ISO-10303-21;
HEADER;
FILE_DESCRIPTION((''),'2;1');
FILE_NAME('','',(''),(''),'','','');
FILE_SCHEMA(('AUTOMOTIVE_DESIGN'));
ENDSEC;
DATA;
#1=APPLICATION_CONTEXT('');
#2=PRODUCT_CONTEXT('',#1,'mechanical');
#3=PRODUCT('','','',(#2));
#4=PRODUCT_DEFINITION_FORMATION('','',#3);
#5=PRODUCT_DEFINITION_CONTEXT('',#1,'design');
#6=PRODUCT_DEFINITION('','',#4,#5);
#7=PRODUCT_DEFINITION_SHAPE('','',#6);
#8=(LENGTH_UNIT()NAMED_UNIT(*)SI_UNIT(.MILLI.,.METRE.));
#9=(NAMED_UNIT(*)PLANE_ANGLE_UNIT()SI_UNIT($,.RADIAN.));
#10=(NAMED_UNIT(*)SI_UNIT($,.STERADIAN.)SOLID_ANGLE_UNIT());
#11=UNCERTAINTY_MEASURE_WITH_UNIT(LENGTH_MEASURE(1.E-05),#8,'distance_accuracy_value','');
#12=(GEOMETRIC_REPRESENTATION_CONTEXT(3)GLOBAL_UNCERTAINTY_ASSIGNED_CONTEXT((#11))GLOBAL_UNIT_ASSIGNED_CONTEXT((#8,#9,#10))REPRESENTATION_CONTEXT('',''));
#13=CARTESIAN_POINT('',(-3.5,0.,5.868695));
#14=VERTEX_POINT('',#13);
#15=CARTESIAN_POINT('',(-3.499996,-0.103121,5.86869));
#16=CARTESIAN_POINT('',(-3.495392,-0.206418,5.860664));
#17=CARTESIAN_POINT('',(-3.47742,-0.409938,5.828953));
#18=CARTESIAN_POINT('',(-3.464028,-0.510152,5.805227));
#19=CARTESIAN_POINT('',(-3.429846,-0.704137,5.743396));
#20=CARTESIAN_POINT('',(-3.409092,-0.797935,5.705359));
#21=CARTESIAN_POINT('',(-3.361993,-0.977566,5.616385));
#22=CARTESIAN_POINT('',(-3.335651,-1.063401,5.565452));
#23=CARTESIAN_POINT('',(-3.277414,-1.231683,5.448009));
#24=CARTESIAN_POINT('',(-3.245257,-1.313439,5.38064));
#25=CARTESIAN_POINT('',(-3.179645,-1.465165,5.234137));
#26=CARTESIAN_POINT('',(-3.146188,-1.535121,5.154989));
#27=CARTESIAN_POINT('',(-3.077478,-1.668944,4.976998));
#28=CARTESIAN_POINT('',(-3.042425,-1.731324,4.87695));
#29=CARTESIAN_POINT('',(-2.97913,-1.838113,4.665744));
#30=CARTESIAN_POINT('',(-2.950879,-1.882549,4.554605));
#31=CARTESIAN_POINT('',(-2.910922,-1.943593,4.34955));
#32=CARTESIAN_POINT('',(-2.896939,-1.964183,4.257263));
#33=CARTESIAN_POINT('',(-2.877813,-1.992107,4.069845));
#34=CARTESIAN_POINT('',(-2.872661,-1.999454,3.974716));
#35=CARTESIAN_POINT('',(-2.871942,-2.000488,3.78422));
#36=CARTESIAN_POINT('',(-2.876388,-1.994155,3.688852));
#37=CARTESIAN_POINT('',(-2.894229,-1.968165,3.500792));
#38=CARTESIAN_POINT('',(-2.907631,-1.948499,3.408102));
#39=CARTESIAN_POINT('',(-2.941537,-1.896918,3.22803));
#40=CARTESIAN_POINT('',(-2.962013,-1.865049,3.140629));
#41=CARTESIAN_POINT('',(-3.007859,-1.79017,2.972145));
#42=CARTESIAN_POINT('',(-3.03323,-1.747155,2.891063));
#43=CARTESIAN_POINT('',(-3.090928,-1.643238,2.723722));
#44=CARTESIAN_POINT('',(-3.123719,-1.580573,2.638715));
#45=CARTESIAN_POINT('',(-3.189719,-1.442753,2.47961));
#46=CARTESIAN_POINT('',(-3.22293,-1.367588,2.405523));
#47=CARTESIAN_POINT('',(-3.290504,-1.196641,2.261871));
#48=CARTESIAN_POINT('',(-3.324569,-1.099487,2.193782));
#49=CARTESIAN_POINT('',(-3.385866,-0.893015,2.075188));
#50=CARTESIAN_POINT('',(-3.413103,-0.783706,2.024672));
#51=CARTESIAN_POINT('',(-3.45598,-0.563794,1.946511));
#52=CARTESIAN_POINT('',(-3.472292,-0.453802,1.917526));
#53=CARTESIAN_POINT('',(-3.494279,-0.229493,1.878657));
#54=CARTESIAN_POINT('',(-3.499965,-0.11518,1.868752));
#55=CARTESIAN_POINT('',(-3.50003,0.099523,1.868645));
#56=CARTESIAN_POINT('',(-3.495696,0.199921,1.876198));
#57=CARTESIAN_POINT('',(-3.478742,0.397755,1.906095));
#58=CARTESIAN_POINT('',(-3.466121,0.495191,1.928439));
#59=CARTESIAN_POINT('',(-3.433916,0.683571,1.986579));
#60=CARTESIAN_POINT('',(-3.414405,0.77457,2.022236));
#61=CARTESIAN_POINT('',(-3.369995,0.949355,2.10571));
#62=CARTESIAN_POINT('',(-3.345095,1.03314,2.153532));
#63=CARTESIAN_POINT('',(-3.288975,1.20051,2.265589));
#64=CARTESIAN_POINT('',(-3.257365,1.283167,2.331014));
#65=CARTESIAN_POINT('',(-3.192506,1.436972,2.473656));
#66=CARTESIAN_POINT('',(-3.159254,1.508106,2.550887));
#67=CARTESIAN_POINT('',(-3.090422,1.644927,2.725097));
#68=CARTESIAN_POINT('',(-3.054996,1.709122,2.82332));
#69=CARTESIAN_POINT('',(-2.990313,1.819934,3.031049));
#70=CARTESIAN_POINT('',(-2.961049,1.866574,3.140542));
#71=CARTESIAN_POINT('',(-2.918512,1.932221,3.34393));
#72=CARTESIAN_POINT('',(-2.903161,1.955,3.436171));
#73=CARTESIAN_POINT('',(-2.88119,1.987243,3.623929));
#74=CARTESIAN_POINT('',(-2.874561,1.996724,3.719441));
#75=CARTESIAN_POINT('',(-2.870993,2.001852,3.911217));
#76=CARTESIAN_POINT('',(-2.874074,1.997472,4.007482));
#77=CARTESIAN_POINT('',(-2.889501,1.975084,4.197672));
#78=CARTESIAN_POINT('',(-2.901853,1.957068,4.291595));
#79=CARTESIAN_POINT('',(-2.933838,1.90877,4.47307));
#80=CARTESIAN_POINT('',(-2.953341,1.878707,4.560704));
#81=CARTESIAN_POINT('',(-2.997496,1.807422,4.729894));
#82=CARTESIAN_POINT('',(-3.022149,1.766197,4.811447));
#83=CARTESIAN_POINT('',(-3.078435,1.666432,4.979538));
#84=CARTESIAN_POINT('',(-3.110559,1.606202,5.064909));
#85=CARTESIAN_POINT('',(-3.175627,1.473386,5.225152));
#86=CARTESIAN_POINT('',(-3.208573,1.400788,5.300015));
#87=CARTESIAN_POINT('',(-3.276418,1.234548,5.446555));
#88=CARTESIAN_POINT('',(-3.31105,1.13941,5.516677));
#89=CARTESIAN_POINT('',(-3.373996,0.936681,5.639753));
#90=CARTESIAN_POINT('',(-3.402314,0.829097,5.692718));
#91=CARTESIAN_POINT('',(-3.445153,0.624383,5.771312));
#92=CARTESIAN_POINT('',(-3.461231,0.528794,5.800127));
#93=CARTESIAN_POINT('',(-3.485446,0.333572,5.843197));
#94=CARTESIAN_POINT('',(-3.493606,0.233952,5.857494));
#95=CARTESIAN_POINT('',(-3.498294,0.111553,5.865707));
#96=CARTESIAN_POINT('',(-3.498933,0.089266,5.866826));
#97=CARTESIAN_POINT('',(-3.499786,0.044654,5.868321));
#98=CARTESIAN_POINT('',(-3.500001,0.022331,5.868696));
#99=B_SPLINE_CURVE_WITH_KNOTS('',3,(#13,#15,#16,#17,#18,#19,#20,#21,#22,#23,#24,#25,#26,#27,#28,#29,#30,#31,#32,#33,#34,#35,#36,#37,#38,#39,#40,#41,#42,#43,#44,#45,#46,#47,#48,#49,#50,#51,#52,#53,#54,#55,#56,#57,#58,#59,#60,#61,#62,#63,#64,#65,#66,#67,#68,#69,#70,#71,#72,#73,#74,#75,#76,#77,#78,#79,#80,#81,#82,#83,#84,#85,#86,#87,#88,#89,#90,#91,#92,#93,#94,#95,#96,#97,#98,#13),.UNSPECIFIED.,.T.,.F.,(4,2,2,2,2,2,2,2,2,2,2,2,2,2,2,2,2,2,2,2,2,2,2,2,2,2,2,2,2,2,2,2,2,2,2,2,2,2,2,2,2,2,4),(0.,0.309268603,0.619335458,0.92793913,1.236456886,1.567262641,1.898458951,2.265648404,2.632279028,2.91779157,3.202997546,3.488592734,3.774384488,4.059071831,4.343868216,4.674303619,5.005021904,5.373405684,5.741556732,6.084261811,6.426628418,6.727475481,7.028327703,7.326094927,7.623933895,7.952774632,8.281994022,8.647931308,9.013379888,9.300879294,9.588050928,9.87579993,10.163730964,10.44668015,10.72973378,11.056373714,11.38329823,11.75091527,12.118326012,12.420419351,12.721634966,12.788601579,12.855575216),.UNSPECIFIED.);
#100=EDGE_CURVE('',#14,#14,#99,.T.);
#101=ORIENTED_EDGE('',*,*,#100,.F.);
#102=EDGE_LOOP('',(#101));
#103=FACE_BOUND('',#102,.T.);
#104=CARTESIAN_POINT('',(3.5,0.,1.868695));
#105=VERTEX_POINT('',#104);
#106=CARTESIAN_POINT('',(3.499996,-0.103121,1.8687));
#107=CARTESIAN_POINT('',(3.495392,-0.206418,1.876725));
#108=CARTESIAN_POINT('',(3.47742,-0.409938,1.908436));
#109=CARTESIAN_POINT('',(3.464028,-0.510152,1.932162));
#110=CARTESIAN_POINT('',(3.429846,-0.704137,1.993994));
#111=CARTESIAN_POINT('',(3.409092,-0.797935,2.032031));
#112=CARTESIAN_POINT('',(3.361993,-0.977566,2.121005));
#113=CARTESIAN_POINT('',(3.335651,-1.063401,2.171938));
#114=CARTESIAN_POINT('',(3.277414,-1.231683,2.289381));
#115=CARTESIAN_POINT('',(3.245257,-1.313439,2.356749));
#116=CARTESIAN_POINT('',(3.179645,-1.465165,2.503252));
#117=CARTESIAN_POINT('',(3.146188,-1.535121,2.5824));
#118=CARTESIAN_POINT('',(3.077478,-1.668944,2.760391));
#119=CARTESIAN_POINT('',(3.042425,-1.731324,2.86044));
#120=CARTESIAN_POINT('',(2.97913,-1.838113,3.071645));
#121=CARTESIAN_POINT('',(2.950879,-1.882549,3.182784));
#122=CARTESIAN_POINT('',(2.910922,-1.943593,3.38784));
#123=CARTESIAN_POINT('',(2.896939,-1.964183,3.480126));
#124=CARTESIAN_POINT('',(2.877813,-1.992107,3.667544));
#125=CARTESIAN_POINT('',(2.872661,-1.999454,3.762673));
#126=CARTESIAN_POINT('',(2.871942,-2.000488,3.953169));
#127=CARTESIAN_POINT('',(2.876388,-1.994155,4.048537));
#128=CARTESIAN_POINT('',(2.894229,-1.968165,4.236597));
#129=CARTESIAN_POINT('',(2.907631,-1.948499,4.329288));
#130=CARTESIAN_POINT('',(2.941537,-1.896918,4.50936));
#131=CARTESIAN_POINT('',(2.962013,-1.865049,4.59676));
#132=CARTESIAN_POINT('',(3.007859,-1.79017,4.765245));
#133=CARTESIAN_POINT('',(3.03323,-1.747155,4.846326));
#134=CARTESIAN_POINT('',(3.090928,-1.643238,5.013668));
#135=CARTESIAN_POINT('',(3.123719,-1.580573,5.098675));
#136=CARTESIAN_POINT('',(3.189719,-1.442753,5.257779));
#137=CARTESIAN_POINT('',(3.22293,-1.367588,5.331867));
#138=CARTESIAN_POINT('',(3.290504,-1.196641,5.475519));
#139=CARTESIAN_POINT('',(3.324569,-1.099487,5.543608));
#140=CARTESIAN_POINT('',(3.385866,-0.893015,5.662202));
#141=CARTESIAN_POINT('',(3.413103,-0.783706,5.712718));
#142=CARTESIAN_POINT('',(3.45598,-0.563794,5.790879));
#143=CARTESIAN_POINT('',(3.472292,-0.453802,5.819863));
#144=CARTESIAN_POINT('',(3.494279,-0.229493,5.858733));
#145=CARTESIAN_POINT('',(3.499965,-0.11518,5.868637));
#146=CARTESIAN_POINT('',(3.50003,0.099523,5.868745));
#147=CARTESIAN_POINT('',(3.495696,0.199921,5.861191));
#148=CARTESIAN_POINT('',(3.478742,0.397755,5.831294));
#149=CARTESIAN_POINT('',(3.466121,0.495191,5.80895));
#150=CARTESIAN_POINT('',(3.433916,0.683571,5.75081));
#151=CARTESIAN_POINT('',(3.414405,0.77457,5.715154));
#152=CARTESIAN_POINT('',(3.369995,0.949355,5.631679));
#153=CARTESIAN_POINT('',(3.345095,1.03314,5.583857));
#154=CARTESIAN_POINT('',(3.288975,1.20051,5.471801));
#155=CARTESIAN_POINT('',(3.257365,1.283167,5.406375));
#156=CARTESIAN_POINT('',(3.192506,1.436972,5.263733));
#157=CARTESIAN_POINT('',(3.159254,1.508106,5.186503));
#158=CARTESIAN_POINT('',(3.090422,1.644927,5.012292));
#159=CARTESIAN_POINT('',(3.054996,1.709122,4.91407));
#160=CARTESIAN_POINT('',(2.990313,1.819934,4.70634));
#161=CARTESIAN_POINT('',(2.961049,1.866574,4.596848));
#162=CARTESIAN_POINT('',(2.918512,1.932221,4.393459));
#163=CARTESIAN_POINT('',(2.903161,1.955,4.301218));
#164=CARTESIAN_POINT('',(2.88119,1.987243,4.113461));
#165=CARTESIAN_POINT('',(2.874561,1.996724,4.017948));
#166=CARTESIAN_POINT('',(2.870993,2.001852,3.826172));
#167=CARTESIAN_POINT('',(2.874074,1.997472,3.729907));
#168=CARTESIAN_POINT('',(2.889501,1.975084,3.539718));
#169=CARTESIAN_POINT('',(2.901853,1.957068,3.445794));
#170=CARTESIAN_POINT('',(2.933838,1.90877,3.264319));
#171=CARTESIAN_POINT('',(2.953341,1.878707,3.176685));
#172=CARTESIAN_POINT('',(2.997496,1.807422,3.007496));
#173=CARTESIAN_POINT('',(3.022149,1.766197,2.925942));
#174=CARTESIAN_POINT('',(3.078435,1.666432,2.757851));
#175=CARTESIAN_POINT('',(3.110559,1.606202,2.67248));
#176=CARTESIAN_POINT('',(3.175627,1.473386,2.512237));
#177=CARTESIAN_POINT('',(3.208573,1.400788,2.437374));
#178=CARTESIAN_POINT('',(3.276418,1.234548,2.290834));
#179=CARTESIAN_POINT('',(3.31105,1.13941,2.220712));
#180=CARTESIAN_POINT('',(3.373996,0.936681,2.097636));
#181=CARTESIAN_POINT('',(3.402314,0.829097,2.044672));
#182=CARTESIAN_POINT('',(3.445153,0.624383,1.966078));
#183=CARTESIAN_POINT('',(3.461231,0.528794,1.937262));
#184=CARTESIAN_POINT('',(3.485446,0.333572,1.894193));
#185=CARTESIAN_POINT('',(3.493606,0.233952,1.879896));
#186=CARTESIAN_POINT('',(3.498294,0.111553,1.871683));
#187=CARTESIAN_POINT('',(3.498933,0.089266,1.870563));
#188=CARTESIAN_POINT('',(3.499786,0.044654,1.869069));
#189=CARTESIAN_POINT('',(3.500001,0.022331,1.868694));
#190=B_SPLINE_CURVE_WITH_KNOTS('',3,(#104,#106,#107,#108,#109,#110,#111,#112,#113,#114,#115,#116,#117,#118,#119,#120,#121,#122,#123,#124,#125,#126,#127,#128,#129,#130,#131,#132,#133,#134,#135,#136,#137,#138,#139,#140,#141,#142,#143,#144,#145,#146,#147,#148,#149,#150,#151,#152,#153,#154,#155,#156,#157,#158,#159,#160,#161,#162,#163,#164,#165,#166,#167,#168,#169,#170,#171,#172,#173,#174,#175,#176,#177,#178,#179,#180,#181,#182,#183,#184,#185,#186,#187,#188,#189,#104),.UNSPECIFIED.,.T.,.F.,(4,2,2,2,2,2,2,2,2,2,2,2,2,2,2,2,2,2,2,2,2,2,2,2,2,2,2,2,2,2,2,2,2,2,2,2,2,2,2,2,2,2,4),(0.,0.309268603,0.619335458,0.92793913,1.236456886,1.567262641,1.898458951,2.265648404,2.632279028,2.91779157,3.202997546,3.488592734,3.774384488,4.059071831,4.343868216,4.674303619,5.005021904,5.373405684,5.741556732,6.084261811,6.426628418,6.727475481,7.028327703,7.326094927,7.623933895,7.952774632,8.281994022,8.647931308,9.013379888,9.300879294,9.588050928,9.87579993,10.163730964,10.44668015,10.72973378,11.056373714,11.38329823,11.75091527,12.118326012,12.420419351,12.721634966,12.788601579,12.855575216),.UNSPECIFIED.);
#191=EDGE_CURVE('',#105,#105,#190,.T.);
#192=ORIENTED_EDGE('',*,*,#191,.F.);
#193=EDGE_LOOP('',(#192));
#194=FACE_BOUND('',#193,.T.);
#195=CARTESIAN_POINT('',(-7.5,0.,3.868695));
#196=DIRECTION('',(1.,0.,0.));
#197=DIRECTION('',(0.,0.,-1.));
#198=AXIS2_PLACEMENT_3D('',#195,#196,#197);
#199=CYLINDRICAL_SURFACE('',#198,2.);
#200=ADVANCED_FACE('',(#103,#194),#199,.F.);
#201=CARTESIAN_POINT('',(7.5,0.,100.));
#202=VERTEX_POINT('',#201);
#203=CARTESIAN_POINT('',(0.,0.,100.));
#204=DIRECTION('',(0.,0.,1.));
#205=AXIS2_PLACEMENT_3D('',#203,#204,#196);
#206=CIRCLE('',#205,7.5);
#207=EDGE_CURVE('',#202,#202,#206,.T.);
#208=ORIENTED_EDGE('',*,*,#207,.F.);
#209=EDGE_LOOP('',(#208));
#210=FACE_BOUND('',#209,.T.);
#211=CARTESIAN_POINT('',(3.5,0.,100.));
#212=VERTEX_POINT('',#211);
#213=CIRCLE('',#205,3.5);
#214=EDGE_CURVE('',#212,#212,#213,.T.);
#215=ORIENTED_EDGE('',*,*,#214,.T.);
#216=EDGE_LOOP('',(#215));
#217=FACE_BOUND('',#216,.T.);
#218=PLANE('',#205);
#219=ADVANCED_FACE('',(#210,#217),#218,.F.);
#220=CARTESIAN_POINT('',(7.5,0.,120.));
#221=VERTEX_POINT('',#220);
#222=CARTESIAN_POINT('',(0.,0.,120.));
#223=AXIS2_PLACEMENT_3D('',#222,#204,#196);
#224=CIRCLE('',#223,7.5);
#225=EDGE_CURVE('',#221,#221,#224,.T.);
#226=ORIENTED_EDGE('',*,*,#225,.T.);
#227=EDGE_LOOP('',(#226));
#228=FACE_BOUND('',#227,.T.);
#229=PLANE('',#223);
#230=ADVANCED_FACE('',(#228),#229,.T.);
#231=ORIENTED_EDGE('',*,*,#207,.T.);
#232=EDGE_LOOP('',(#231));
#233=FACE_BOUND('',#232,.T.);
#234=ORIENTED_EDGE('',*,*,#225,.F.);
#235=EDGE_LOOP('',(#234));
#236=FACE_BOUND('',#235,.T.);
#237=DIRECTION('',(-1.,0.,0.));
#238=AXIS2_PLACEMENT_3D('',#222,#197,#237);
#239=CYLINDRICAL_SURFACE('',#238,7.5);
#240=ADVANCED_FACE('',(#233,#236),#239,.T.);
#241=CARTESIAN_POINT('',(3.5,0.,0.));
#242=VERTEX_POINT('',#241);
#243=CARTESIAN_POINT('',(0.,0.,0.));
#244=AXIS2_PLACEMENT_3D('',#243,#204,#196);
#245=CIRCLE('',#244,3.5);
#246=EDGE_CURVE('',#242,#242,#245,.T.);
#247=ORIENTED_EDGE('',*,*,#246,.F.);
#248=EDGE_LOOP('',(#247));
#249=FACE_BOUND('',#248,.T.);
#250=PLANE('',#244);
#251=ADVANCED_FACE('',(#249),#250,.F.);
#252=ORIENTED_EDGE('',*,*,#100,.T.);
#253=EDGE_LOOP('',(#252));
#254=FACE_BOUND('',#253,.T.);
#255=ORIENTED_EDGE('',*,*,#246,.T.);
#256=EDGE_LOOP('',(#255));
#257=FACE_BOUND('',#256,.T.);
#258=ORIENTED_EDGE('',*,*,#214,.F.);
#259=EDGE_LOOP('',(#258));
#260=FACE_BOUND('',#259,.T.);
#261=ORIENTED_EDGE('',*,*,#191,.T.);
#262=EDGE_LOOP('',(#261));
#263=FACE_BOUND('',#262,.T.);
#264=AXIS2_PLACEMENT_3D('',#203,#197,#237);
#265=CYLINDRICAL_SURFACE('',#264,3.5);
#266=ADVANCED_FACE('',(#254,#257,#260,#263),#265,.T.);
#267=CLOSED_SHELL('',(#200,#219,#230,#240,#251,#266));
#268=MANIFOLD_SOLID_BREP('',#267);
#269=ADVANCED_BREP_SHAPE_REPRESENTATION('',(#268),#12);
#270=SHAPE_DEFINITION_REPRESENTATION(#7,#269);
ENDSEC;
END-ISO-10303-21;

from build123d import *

# Parameters (mm, degrees)
SKETCH1_R               = 3.5
BOSS_EXTRUDE1_DEPTH     = 100
SKETCH2_R               = 7.5
BOSS_EXTRUDE2_DEPTH     = 20
SKETCH3_R               = 2
CUT_EXTRUDE1_DEPTH      = 8.5
CUT_EXTRUDE1_DEPTH_BACK = 8.5


with BuildPart() as part:
    # Sketch1 → Boss-Extrude1 (new body)
    with BuildSketch(Plane.XY):
        Circle(SKETCH1_R)
    extrude(amount=BOSS_EXTRUDE1_DEPTH)

    # Sketch2 → Boss-Extrude2 (add)
    with BuildSketch(Plane.XY.offset(100)):
        Circle(SKETCH2_R)
    extrude(amount=BOSS_EXTRUDE2_DEPTH)

    # Sketch3 → Cut-Extrude1 (cut, two sides)
    with BuildSketch(Plane(origin=(0, 0, 0), x_dir=(0, 0, -1), z_dir=(1, 0, 0))) as cut_extrude1_sk:
        with Locations((-3.868694711, 0)):
            Circle(SKETCH3_R)
    extrude(amount=CUT_EXTRUDE1_DEPTH, mode=Mode.SUBTRACT)
    extrude(cut_extrude1_sk.sketch, amount=-CUT_EXTRUDE1_DEPTH_BACK, mode=Mode.SUBTRACT)


solid = part.part
